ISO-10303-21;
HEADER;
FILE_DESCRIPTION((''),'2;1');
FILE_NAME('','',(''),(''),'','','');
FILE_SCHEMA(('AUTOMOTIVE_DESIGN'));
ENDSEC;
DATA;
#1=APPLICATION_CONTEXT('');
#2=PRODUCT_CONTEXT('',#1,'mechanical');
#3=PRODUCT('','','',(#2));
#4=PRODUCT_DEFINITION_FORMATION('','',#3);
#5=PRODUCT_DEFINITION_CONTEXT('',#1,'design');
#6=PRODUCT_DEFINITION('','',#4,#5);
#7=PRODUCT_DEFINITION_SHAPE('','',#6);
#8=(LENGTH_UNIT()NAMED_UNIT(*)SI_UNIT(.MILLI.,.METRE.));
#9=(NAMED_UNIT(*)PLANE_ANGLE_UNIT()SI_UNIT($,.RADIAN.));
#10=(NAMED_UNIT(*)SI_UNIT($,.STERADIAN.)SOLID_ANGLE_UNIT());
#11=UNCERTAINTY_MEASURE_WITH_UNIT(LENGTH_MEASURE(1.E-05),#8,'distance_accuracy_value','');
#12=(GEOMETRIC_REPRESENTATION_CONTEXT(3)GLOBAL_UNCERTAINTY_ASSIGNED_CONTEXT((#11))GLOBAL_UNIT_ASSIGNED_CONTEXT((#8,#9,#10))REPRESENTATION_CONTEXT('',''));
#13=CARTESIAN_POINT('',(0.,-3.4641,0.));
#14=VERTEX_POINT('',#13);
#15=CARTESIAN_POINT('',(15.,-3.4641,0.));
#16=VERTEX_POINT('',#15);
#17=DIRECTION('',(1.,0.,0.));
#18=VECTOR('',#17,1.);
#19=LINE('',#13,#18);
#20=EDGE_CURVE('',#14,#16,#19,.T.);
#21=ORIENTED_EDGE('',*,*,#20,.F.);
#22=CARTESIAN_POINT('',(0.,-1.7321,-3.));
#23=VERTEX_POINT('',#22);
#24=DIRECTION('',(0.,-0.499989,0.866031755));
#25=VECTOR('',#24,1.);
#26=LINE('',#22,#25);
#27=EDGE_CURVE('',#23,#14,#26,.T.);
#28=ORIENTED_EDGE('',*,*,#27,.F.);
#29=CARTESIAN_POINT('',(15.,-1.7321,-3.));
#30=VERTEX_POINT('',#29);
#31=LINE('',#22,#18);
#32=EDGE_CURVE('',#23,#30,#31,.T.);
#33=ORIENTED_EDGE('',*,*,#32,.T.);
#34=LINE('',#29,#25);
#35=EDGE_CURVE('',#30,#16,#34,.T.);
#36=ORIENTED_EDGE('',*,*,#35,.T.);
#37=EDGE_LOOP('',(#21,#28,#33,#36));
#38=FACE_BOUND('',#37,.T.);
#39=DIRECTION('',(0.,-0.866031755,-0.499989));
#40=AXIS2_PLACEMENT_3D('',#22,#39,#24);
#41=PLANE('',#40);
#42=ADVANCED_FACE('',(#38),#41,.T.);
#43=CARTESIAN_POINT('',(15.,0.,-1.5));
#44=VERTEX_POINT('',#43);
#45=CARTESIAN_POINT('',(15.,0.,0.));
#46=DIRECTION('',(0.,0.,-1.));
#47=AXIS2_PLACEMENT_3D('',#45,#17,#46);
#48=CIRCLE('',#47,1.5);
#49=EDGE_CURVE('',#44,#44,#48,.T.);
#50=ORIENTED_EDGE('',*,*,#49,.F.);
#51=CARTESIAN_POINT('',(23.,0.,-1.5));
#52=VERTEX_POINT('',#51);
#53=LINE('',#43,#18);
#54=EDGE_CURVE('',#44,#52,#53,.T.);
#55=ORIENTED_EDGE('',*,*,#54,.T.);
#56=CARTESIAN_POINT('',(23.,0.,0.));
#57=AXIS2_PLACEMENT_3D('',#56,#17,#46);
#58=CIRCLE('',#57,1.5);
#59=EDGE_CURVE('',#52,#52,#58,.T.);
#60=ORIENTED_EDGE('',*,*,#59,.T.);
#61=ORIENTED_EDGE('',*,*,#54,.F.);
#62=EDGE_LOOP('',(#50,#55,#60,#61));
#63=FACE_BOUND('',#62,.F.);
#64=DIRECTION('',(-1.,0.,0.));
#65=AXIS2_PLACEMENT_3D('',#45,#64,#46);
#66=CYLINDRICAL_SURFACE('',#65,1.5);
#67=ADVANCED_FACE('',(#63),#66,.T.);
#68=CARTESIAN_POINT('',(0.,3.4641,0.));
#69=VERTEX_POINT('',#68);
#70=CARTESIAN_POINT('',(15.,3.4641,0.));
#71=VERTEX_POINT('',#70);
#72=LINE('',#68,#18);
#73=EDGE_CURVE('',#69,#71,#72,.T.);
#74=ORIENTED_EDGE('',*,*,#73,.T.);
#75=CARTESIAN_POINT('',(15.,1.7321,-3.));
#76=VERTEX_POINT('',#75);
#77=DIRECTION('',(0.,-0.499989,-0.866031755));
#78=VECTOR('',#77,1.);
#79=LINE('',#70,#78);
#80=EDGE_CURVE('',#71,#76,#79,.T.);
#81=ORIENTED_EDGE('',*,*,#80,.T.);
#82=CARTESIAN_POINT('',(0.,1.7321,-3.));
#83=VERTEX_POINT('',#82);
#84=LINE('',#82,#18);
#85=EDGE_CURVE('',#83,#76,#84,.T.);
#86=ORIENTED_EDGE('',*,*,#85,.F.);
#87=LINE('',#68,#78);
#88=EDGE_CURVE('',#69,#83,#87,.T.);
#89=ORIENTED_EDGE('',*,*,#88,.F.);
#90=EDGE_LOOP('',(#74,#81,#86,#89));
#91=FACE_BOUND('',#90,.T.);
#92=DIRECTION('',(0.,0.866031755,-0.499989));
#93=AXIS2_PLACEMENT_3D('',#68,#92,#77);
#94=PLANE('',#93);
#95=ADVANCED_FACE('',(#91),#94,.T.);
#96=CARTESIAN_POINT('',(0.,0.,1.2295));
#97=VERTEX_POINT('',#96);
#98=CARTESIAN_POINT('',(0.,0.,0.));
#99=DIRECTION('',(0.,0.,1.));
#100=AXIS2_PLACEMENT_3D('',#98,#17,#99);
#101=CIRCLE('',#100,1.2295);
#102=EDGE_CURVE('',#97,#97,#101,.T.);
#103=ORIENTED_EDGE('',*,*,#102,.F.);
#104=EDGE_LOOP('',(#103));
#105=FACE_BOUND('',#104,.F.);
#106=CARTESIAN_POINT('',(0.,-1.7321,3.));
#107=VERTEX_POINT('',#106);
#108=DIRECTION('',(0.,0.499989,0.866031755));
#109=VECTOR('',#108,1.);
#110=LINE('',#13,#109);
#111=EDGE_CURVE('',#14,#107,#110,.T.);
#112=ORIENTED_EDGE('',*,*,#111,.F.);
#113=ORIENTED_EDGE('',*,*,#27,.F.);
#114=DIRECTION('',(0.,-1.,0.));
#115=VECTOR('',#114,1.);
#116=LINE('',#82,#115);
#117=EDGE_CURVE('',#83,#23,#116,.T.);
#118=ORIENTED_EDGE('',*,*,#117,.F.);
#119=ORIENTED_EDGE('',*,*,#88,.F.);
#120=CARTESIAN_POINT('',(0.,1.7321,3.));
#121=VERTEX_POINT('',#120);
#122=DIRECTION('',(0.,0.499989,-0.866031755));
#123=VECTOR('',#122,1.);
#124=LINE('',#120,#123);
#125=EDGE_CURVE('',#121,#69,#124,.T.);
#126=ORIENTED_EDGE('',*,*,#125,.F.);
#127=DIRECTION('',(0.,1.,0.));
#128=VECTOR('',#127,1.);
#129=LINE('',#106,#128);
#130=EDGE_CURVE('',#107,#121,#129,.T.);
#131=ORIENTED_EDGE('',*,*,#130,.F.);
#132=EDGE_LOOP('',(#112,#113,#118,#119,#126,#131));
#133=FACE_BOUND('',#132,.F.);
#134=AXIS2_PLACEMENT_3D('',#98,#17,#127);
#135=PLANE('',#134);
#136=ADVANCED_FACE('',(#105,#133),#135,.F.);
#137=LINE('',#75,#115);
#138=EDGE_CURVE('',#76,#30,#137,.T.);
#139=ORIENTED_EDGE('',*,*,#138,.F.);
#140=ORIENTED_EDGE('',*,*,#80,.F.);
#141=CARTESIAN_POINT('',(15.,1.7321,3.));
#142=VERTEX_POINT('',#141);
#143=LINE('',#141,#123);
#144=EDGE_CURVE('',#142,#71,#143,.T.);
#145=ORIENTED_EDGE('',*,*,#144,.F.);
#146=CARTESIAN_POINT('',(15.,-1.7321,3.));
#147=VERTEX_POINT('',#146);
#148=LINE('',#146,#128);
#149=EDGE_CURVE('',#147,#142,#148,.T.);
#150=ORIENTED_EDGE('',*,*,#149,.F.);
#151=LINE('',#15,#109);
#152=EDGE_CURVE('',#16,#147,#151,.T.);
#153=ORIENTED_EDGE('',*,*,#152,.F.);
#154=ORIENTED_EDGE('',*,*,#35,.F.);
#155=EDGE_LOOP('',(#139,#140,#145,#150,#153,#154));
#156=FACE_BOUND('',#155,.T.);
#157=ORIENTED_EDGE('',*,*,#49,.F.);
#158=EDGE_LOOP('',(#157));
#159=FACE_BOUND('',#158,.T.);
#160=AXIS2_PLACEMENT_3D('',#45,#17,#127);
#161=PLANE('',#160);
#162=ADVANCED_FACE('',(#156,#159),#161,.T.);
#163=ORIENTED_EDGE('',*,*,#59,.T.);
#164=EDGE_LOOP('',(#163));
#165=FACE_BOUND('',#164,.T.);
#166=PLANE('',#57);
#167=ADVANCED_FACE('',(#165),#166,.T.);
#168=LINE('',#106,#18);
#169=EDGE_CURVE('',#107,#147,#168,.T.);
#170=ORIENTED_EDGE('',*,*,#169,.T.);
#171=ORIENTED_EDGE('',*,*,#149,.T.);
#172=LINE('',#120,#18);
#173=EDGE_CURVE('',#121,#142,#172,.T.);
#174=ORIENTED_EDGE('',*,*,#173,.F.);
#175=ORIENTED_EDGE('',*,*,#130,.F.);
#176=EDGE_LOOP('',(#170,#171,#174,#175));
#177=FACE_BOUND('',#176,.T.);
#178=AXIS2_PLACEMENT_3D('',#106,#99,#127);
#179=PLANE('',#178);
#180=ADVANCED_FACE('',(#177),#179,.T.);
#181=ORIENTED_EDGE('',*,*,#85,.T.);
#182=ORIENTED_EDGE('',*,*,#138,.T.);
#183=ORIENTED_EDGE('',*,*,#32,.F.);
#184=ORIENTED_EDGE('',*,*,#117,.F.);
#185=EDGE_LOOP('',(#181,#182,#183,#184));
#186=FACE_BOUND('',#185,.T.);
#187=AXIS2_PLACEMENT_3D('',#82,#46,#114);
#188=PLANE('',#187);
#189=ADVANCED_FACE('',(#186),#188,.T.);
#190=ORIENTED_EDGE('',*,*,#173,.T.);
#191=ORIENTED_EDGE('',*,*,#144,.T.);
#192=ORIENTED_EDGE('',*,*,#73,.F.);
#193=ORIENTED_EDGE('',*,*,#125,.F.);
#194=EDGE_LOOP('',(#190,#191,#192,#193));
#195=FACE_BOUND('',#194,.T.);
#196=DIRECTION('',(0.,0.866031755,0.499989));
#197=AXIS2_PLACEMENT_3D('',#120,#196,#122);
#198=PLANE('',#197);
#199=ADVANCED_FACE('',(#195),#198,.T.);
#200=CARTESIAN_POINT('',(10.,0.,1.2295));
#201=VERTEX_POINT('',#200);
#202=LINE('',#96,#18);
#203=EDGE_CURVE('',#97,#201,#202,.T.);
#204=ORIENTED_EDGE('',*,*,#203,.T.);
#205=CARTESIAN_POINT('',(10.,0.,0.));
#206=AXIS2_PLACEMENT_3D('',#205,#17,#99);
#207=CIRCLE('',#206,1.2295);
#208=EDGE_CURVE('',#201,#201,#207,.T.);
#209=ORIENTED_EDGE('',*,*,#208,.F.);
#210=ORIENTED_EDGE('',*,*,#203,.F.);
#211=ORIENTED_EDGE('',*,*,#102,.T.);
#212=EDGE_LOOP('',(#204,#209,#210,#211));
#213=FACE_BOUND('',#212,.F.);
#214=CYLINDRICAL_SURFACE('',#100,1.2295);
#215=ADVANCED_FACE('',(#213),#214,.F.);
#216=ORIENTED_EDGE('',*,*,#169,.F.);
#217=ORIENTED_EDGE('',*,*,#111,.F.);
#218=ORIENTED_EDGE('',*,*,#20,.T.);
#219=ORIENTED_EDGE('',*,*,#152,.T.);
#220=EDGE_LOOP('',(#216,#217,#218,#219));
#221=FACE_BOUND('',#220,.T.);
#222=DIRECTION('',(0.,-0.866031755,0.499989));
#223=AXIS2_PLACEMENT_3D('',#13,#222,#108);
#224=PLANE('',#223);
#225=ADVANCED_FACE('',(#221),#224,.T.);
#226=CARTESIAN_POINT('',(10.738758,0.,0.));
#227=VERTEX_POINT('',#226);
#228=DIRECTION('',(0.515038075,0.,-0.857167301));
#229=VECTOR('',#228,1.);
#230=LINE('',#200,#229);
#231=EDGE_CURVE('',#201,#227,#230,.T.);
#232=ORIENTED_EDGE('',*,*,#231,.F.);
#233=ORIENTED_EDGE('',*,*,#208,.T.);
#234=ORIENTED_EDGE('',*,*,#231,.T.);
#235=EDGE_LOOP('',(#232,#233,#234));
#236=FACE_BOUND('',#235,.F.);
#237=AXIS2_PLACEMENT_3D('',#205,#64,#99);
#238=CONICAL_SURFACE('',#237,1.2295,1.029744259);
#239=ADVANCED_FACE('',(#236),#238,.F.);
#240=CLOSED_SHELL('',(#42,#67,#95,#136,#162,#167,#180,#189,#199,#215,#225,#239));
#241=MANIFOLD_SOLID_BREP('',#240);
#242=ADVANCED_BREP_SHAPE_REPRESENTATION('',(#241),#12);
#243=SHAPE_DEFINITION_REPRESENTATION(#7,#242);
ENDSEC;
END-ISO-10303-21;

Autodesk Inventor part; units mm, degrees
ref_plane "YZ Plane" through (0, 0, 0) normal (1, 0, 0) x (0, 1, 0)
ref_plane "XZ Plane" through (0, 0, 0) normal (0, 1, 0) x (-1, 0, 0)
ref_plane "XY Plane" through (0, 0, 0) normal (0, 0, 1) x (1, 0, 0)
sketch "スケッチ1" plane through (0, 0, 0) normal (1, 0, 0) x (0, 1, 0)
  line L0 (1.7321, -3) -> (-1.7321, -3)
  line L1 (-1.7321, -3) -> (-3.4641, 0)
  line L2 (-3.4641, 0) -> (-1.7321, 3)
  line L3 (-1.7321, 3) -> (1.7321, 3)
  line L4 (1.7321, 3) -> (3.4641, 0)
  line L5 (3.4641, 0) -> (1.7321, -3)
  point P0 (0, 0)
  point P1 (0, 0)
  dimension "d0" = 6
extrude "押し出し1" add sketch "スケッチ1" along normal blind 15
sketch "スケッチ2" plane through (15, 0, 0) normal (1, 0, 0) x (0, 0, -1)
  circle A0 centre (0, 0) radius 1.5
  dimension "d3" = 3
extrude "押し出し2" add sketch "スケッチ2" along normal blind 8
thread "ねじ1" size "M3x0.5" class "6g" standard "ANSI Metric M Profile" full length
sketch "スケッチ3" plane through (0, 0, 0) normal (-1, 0, 0) x (0, 0, 1)
  point P0 (0, 0)
  point P1 (0, 0)
hole "穴1" at (0, 0, 0) direction (1, 0, 0) diameter 2.459 depth 10 tip angle 118 thread size "M3x0.5" class "6H" standard "ISO Metric profile"
properties part number "Spacer_M3_L15" material "鋼、合金"
